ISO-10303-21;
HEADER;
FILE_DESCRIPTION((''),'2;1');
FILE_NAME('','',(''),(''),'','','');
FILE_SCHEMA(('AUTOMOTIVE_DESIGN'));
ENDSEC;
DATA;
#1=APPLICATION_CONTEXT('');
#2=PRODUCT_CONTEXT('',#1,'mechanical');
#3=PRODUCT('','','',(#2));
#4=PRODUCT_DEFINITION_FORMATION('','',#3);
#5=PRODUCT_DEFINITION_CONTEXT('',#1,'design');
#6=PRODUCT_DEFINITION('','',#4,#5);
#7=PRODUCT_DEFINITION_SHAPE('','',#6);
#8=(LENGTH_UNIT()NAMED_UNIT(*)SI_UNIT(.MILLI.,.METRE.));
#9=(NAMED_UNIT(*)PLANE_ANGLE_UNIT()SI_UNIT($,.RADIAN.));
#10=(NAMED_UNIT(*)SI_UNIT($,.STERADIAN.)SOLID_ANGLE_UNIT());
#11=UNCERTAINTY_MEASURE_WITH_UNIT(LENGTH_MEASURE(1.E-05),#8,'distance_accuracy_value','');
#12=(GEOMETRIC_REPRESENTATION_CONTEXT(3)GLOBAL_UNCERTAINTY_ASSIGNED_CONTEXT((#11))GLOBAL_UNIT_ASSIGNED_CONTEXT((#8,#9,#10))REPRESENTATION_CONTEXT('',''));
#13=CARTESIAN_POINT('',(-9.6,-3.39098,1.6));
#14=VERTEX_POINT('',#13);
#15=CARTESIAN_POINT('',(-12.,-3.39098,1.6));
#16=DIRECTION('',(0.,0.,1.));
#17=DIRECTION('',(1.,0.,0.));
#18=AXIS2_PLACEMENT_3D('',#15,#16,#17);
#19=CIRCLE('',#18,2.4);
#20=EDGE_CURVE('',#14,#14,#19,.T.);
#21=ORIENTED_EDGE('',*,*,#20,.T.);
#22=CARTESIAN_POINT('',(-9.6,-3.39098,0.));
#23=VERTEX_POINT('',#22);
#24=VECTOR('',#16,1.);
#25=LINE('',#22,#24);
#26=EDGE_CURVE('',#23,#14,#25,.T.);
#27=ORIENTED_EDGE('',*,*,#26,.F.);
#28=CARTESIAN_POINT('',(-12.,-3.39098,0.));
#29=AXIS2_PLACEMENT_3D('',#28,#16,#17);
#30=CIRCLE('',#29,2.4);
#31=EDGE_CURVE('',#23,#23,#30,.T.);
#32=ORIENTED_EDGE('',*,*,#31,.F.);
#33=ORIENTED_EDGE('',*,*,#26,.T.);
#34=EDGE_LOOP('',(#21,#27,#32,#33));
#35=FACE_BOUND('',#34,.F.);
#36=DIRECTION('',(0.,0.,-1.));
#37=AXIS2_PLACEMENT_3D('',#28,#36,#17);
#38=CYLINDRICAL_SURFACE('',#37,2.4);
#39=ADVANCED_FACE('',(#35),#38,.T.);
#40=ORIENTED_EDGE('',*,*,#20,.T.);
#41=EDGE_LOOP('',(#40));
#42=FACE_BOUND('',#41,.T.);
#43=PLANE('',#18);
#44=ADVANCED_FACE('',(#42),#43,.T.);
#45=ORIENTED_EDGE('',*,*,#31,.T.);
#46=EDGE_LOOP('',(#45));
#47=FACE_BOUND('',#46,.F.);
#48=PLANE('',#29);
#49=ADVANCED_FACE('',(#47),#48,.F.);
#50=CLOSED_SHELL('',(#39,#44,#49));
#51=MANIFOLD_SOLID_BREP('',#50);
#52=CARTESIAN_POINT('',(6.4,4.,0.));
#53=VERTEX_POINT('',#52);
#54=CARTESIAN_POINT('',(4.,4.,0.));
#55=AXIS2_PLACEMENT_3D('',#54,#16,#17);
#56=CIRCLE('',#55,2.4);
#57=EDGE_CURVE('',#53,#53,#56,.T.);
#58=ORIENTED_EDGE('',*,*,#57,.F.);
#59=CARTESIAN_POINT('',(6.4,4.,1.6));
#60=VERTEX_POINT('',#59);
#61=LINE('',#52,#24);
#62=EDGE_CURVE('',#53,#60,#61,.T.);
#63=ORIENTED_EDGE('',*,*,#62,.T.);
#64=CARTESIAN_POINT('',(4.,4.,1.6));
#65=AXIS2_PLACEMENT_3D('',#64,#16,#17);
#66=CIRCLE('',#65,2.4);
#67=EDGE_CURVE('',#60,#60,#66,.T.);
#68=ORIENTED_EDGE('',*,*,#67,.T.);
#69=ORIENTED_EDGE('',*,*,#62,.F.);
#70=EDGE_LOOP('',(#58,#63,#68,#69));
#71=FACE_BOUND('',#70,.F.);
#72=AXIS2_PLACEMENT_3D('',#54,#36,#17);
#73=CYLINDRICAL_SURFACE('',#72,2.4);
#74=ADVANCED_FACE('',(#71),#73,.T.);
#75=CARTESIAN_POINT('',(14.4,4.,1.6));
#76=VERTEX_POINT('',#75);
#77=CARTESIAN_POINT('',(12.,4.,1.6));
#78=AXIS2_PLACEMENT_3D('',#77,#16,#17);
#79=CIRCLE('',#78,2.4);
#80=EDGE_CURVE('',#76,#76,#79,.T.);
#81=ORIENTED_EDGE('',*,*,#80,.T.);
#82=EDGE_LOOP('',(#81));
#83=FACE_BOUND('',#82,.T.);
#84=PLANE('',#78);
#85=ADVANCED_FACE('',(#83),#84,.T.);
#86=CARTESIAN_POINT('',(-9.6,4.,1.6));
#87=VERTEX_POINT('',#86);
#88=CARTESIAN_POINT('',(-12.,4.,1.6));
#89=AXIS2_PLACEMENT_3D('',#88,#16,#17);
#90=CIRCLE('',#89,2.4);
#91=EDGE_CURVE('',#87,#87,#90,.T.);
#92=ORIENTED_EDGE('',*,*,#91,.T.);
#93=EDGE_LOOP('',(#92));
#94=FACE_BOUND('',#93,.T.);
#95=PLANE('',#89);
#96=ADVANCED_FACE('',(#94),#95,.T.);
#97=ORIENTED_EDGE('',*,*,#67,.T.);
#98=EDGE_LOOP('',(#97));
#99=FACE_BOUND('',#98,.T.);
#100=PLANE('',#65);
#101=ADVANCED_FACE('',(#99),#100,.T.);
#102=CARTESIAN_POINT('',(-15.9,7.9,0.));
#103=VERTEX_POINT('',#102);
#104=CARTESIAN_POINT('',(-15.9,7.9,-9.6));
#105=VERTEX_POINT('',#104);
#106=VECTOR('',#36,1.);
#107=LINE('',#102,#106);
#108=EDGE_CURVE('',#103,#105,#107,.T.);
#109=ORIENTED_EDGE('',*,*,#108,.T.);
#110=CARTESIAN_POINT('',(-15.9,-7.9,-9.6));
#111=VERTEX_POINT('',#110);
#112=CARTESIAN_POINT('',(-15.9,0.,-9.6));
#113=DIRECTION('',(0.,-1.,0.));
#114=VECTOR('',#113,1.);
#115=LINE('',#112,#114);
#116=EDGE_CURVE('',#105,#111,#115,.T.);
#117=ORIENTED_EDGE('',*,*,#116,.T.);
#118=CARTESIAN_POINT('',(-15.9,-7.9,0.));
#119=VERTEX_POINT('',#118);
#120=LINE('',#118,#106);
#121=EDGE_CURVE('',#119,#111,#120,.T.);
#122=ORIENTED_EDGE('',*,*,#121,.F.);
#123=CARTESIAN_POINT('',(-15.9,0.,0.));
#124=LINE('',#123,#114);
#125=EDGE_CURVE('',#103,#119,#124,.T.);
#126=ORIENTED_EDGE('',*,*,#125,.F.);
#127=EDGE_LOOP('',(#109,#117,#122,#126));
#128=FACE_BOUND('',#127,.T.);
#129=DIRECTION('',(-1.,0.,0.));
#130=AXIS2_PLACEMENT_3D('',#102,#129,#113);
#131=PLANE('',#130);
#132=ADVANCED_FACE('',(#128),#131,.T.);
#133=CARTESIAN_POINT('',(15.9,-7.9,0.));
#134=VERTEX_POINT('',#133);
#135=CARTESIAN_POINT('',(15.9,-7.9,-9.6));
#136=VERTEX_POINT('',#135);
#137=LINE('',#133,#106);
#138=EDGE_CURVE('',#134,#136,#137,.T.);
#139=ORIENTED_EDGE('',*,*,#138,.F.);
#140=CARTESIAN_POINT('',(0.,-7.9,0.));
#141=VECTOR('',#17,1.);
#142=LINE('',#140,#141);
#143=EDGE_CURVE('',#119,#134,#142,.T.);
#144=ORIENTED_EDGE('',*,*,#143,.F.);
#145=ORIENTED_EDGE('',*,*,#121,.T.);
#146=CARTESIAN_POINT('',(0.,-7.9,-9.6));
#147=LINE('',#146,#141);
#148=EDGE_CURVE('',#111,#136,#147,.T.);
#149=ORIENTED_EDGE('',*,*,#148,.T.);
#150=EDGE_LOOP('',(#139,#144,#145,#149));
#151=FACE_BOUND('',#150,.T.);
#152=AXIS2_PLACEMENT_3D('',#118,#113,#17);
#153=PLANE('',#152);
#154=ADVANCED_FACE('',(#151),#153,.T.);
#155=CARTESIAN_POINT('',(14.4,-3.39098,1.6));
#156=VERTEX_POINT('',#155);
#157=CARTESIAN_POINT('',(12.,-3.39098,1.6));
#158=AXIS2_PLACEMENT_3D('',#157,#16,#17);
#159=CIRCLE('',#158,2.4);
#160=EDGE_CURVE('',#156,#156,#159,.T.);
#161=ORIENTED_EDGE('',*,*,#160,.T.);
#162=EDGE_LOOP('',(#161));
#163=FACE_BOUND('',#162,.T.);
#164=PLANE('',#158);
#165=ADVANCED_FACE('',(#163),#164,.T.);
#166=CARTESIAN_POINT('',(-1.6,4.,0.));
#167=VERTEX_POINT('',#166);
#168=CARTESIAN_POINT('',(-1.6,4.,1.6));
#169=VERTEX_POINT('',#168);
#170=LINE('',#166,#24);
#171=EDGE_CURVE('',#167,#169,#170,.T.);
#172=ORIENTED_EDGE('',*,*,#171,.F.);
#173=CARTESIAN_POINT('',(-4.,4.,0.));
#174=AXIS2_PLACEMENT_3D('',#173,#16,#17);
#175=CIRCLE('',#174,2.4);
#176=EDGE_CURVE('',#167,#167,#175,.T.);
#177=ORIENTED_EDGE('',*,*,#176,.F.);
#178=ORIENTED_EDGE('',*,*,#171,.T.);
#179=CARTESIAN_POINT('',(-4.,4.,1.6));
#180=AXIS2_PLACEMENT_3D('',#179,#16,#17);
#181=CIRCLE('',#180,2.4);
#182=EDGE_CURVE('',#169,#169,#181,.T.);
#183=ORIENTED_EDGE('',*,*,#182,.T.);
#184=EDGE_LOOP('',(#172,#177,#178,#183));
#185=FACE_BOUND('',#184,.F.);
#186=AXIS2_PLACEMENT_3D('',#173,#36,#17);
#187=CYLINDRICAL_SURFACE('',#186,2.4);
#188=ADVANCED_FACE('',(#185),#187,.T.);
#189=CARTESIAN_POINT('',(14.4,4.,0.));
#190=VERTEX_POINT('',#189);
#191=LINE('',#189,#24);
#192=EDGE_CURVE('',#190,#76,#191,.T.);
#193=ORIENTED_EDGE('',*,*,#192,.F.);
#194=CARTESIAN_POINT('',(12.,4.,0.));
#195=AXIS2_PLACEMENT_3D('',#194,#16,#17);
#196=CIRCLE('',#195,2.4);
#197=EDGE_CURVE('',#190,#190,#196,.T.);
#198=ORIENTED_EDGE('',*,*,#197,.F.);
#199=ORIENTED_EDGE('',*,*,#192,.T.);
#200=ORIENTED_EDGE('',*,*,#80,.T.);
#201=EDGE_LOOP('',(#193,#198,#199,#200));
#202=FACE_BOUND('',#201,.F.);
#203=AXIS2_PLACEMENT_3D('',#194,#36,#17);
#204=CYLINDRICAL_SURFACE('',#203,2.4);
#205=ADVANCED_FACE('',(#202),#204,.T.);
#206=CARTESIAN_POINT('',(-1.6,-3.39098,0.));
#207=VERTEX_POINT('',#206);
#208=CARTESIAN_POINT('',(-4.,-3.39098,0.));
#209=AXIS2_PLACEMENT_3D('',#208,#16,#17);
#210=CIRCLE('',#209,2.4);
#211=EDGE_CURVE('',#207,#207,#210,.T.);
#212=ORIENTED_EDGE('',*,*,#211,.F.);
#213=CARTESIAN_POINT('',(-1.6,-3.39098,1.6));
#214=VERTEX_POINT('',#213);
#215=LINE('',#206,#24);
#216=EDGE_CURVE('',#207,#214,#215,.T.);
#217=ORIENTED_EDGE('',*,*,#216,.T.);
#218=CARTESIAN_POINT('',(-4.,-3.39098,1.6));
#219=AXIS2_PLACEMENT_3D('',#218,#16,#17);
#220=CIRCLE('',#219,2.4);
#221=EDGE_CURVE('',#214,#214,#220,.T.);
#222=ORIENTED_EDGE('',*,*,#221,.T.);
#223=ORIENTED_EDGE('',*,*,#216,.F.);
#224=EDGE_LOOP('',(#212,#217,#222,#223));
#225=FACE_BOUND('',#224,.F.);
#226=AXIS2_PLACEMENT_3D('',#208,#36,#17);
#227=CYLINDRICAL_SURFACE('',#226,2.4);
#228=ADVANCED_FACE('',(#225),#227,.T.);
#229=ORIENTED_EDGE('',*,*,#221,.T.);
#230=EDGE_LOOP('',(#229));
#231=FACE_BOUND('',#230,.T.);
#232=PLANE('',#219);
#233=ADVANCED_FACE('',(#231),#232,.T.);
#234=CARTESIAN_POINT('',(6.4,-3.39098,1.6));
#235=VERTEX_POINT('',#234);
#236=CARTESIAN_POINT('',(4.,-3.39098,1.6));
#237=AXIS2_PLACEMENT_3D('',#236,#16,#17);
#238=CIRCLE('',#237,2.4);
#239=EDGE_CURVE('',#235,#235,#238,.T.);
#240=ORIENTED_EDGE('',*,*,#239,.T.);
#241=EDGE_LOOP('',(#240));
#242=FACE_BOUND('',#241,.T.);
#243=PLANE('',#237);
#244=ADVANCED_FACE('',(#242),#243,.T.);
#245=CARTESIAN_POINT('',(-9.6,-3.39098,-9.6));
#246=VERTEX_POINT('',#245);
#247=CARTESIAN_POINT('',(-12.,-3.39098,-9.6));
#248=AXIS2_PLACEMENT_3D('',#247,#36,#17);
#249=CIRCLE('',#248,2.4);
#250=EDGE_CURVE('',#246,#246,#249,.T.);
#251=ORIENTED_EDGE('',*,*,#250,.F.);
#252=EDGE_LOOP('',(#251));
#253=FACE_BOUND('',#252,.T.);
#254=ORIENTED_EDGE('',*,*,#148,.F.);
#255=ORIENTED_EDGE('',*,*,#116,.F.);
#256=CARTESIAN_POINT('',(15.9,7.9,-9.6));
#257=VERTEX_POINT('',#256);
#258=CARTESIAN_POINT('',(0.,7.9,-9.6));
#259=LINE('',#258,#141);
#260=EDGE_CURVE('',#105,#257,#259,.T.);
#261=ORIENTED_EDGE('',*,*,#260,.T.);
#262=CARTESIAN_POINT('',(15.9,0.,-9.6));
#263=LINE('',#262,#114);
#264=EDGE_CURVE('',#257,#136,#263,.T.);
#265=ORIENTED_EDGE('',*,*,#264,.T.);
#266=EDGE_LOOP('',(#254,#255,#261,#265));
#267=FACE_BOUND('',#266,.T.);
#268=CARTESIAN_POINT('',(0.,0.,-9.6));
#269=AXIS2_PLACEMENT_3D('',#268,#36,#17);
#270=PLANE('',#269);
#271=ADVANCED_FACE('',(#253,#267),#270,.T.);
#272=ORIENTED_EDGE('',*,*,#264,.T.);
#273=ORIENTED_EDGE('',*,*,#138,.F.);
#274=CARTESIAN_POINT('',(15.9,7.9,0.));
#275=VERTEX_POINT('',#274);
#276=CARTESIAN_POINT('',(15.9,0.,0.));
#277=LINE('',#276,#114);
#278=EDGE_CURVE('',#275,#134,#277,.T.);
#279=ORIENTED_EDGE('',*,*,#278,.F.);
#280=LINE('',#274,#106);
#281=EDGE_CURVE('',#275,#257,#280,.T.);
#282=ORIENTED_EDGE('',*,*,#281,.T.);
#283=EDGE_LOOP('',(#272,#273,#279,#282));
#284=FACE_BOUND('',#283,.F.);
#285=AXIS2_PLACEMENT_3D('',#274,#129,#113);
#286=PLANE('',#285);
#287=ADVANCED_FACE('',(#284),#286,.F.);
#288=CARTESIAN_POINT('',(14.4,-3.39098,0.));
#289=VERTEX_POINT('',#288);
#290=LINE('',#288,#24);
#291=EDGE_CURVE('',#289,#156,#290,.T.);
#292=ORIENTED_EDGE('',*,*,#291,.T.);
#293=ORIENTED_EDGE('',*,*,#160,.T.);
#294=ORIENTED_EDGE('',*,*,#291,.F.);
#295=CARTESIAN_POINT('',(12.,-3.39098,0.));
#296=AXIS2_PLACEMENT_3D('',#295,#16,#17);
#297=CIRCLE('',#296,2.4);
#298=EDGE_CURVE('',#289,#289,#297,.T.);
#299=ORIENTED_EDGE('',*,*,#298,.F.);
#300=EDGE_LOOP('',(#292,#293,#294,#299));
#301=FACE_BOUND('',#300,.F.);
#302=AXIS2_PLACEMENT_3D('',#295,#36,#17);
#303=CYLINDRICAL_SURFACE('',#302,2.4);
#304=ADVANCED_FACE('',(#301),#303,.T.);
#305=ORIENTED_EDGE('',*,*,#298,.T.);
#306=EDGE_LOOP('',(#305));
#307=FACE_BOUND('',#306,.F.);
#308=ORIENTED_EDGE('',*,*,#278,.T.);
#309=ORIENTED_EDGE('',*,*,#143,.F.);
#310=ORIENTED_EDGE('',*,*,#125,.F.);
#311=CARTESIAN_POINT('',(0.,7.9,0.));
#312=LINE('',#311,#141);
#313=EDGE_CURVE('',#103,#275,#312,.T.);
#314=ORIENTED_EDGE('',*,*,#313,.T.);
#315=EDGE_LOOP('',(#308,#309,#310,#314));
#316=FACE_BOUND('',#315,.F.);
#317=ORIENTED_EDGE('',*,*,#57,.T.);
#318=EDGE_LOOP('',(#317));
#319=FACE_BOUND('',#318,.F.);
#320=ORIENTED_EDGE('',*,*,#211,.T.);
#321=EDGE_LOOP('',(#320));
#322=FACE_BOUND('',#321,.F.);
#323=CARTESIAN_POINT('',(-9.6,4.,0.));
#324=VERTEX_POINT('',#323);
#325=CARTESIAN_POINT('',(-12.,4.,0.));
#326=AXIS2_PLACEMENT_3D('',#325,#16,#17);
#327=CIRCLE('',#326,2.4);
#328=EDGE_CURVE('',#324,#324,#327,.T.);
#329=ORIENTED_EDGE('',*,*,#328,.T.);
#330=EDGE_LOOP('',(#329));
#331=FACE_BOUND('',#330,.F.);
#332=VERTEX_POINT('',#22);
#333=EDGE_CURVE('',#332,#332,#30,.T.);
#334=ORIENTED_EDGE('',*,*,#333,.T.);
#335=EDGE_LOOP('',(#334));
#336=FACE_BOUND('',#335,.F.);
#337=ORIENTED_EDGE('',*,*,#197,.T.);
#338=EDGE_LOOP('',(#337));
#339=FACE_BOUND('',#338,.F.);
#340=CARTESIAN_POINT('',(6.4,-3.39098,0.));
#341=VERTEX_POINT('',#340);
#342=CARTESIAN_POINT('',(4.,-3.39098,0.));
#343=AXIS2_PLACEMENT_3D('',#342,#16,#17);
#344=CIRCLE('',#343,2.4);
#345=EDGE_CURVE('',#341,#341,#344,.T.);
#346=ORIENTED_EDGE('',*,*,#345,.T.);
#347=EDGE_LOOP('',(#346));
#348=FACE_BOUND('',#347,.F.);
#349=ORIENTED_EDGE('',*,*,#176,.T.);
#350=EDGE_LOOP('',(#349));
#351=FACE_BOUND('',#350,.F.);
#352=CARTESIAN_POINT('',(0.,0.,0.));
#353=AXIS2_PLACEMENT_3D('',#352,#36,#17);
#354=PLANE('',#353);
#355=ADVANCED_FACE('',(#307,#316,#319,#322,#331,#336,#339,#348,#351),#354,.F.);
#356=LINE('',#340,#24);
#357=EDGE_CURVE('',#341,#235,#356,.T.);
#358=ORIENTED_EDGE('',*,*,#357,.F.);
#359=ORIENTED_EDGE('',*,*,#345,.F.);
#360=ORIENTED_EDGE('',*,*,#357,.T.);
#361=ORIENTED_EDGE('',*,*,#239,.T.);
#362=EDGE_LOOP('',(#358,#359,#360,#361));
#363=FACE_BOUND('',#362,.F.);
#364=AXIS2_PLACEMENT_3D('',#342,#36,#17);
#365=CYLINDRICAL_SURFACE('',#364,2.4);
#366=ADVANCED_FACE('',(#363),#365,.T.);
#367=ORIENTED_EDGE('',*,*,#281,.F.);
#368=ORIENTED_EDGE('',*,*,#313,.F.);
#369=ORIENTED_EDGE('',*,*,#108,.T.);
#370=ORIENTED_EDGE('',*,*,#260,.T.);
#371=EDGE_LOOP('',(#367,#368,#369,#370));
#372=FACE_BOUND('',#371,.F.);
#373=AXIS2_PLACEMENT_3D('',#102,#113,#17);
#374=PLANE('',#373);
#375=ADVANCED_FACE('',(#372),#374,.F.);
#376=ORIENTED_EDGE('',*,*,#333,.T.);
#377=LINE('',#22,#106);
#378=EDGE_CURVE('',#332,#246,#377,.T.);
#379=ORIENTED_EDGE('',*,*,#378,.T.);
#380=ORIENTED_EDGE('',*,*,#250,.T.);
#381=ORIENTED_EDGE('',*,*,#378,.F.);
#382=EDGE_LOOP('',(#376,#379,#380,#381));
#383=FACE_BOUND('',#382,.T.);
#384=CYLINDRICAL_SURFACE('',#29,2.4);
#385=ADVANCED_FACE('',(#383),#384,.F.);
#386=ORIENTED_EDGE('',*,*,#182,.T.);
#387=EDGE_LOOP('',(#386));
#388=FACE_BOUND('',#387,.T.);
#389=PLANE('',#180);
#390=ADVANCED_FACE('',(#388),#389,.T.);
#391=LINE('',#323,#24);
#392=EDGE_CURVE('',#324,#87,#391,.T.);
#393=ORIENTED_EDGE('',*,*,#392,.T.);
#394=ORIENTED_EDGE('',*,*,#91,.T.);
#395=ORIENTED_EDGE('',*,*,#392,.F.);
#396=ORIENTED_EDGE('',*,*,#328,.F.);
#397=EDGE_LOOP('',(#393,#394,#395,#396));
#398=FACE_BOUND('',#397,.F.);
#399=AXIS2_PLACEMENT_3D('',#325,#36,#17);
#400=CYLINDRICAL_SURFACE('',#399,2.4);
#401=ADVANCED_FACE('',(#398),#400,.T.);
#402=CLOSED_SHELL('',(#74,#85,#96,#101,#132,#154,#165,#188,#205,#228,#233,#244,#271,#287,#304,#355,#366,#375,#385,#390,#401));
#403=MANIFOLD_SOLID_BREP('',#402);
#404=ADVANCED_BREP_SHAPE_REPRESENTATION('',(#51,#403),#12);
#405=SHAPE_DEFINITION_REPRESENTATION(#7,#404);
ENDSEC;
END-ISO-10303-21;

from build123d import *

# Parameters (mm, degrees)
F0_R     = 2.4
F1_DEPTH = 1.6
F2_W     = 31.8
F2_H     = 15.8
F2_W_2   = 29.5992456377
F2_H_2   = 13.7376701459
F2_R     = 2.4
F3_DEPTH = 9.6


with BuildPart() as f1:
    # F0 (on Top) → F1 (new body)
    with BuildSketch(Plane.XY):
        with Locations((-12, -3.39098)):
            Circle(F0_R)
    extrude(amount=F1_DEPTH)



with BuildPart() as f1b:
    # F0 (on Top) → F1, piece 2 (new body)
    with BuildSketch(Plane.XY):
        with Locations((-12, 4)):
            Circle(F0_R)
    extrude(amount=F1_DEPTH)


with BuildPart() as f1c:
    # F0 (on Top) → F1, piece 3 (new body)
    with BuildSketch(Plane.XY):
        with Locations((-4, 4)):
            Circle(F0_R)
    extrude(amount=F1_DEPTH)


with BuildPart() as f1d:
    # F0 (on Top) → F1, piece 4 (new body)
    with BuildSketch(Plane.XY):
        with Locations((-4, -3.39098)):
            Circle(F0_R)
    extrude(amount=F1_DEPTH)


with BuildPart() as f1e:
    # F0 (on Top) → F1, piece 5 (new body)
    with BuildSketch(Plane.XY):
        with Locations((4, -3.39098)):
            Circle(F0_R)
    extrude(amount=F1_DEPTH)


with BuildPart() as f1f:
    # F0 (on Top) → F1, piece 6 (new body)
    with BuildSketch(Plane.XY):
        with Locations((4, 4)):
            Circle(F0_R)
    extrude(amount=F1_DEPTH)


with BuildPart() as f1g:
    # F0 (on Top) → F1, piece 7 (new body)
    with BuildSketch(Plane.XY):
        with Locations((12, 4)):
            Circle(F0_R)
    extrude(amount=F1_DEPTH)


with BuildPart() as f1h:
    # F0 (on Top) → F1, piece 8 (new body)
    with BuildSketch(Plane.XY):
        with Locations((12, -3.39098)):
            Circle(F0_R)
    extrude(amount=F1_DEPTH)


with BuildPart() as f1_1:
    add(f1.part)

    add(f1b.part)  # F3 merges F1b

    add(f1c.part)  # F3 merges F1c

    add(f1d.part)  # F3 merges F1d

    add(f1e.part)  # F3 merges F1e

    add(f1f.part)  # F3 merges F1f

    add(f1g.part)  # F3 merges F1g

    add(f1h.part)  # F3 merges F1h
    # F2 (on face) → F3 (join)
    with BuildSketch(Plane(origin=(0, 0, 0), x_dir=(1, 0, 0), z_dir=(0, 0, -1))):
        Rectangle(F2_W, F2_H)
        Rectangle(F2_W_2, F2_H_2, mode=Mode.SUBTRACT)
        Rectangle(F2_W_2, F2_H_2)
        with Locations((-12, 3.39098)):
            Circle(F2_R, mode=Mode.SUBTRACT)
    extrude(amount=F3_DEPTH)


solid = f1_1.part
